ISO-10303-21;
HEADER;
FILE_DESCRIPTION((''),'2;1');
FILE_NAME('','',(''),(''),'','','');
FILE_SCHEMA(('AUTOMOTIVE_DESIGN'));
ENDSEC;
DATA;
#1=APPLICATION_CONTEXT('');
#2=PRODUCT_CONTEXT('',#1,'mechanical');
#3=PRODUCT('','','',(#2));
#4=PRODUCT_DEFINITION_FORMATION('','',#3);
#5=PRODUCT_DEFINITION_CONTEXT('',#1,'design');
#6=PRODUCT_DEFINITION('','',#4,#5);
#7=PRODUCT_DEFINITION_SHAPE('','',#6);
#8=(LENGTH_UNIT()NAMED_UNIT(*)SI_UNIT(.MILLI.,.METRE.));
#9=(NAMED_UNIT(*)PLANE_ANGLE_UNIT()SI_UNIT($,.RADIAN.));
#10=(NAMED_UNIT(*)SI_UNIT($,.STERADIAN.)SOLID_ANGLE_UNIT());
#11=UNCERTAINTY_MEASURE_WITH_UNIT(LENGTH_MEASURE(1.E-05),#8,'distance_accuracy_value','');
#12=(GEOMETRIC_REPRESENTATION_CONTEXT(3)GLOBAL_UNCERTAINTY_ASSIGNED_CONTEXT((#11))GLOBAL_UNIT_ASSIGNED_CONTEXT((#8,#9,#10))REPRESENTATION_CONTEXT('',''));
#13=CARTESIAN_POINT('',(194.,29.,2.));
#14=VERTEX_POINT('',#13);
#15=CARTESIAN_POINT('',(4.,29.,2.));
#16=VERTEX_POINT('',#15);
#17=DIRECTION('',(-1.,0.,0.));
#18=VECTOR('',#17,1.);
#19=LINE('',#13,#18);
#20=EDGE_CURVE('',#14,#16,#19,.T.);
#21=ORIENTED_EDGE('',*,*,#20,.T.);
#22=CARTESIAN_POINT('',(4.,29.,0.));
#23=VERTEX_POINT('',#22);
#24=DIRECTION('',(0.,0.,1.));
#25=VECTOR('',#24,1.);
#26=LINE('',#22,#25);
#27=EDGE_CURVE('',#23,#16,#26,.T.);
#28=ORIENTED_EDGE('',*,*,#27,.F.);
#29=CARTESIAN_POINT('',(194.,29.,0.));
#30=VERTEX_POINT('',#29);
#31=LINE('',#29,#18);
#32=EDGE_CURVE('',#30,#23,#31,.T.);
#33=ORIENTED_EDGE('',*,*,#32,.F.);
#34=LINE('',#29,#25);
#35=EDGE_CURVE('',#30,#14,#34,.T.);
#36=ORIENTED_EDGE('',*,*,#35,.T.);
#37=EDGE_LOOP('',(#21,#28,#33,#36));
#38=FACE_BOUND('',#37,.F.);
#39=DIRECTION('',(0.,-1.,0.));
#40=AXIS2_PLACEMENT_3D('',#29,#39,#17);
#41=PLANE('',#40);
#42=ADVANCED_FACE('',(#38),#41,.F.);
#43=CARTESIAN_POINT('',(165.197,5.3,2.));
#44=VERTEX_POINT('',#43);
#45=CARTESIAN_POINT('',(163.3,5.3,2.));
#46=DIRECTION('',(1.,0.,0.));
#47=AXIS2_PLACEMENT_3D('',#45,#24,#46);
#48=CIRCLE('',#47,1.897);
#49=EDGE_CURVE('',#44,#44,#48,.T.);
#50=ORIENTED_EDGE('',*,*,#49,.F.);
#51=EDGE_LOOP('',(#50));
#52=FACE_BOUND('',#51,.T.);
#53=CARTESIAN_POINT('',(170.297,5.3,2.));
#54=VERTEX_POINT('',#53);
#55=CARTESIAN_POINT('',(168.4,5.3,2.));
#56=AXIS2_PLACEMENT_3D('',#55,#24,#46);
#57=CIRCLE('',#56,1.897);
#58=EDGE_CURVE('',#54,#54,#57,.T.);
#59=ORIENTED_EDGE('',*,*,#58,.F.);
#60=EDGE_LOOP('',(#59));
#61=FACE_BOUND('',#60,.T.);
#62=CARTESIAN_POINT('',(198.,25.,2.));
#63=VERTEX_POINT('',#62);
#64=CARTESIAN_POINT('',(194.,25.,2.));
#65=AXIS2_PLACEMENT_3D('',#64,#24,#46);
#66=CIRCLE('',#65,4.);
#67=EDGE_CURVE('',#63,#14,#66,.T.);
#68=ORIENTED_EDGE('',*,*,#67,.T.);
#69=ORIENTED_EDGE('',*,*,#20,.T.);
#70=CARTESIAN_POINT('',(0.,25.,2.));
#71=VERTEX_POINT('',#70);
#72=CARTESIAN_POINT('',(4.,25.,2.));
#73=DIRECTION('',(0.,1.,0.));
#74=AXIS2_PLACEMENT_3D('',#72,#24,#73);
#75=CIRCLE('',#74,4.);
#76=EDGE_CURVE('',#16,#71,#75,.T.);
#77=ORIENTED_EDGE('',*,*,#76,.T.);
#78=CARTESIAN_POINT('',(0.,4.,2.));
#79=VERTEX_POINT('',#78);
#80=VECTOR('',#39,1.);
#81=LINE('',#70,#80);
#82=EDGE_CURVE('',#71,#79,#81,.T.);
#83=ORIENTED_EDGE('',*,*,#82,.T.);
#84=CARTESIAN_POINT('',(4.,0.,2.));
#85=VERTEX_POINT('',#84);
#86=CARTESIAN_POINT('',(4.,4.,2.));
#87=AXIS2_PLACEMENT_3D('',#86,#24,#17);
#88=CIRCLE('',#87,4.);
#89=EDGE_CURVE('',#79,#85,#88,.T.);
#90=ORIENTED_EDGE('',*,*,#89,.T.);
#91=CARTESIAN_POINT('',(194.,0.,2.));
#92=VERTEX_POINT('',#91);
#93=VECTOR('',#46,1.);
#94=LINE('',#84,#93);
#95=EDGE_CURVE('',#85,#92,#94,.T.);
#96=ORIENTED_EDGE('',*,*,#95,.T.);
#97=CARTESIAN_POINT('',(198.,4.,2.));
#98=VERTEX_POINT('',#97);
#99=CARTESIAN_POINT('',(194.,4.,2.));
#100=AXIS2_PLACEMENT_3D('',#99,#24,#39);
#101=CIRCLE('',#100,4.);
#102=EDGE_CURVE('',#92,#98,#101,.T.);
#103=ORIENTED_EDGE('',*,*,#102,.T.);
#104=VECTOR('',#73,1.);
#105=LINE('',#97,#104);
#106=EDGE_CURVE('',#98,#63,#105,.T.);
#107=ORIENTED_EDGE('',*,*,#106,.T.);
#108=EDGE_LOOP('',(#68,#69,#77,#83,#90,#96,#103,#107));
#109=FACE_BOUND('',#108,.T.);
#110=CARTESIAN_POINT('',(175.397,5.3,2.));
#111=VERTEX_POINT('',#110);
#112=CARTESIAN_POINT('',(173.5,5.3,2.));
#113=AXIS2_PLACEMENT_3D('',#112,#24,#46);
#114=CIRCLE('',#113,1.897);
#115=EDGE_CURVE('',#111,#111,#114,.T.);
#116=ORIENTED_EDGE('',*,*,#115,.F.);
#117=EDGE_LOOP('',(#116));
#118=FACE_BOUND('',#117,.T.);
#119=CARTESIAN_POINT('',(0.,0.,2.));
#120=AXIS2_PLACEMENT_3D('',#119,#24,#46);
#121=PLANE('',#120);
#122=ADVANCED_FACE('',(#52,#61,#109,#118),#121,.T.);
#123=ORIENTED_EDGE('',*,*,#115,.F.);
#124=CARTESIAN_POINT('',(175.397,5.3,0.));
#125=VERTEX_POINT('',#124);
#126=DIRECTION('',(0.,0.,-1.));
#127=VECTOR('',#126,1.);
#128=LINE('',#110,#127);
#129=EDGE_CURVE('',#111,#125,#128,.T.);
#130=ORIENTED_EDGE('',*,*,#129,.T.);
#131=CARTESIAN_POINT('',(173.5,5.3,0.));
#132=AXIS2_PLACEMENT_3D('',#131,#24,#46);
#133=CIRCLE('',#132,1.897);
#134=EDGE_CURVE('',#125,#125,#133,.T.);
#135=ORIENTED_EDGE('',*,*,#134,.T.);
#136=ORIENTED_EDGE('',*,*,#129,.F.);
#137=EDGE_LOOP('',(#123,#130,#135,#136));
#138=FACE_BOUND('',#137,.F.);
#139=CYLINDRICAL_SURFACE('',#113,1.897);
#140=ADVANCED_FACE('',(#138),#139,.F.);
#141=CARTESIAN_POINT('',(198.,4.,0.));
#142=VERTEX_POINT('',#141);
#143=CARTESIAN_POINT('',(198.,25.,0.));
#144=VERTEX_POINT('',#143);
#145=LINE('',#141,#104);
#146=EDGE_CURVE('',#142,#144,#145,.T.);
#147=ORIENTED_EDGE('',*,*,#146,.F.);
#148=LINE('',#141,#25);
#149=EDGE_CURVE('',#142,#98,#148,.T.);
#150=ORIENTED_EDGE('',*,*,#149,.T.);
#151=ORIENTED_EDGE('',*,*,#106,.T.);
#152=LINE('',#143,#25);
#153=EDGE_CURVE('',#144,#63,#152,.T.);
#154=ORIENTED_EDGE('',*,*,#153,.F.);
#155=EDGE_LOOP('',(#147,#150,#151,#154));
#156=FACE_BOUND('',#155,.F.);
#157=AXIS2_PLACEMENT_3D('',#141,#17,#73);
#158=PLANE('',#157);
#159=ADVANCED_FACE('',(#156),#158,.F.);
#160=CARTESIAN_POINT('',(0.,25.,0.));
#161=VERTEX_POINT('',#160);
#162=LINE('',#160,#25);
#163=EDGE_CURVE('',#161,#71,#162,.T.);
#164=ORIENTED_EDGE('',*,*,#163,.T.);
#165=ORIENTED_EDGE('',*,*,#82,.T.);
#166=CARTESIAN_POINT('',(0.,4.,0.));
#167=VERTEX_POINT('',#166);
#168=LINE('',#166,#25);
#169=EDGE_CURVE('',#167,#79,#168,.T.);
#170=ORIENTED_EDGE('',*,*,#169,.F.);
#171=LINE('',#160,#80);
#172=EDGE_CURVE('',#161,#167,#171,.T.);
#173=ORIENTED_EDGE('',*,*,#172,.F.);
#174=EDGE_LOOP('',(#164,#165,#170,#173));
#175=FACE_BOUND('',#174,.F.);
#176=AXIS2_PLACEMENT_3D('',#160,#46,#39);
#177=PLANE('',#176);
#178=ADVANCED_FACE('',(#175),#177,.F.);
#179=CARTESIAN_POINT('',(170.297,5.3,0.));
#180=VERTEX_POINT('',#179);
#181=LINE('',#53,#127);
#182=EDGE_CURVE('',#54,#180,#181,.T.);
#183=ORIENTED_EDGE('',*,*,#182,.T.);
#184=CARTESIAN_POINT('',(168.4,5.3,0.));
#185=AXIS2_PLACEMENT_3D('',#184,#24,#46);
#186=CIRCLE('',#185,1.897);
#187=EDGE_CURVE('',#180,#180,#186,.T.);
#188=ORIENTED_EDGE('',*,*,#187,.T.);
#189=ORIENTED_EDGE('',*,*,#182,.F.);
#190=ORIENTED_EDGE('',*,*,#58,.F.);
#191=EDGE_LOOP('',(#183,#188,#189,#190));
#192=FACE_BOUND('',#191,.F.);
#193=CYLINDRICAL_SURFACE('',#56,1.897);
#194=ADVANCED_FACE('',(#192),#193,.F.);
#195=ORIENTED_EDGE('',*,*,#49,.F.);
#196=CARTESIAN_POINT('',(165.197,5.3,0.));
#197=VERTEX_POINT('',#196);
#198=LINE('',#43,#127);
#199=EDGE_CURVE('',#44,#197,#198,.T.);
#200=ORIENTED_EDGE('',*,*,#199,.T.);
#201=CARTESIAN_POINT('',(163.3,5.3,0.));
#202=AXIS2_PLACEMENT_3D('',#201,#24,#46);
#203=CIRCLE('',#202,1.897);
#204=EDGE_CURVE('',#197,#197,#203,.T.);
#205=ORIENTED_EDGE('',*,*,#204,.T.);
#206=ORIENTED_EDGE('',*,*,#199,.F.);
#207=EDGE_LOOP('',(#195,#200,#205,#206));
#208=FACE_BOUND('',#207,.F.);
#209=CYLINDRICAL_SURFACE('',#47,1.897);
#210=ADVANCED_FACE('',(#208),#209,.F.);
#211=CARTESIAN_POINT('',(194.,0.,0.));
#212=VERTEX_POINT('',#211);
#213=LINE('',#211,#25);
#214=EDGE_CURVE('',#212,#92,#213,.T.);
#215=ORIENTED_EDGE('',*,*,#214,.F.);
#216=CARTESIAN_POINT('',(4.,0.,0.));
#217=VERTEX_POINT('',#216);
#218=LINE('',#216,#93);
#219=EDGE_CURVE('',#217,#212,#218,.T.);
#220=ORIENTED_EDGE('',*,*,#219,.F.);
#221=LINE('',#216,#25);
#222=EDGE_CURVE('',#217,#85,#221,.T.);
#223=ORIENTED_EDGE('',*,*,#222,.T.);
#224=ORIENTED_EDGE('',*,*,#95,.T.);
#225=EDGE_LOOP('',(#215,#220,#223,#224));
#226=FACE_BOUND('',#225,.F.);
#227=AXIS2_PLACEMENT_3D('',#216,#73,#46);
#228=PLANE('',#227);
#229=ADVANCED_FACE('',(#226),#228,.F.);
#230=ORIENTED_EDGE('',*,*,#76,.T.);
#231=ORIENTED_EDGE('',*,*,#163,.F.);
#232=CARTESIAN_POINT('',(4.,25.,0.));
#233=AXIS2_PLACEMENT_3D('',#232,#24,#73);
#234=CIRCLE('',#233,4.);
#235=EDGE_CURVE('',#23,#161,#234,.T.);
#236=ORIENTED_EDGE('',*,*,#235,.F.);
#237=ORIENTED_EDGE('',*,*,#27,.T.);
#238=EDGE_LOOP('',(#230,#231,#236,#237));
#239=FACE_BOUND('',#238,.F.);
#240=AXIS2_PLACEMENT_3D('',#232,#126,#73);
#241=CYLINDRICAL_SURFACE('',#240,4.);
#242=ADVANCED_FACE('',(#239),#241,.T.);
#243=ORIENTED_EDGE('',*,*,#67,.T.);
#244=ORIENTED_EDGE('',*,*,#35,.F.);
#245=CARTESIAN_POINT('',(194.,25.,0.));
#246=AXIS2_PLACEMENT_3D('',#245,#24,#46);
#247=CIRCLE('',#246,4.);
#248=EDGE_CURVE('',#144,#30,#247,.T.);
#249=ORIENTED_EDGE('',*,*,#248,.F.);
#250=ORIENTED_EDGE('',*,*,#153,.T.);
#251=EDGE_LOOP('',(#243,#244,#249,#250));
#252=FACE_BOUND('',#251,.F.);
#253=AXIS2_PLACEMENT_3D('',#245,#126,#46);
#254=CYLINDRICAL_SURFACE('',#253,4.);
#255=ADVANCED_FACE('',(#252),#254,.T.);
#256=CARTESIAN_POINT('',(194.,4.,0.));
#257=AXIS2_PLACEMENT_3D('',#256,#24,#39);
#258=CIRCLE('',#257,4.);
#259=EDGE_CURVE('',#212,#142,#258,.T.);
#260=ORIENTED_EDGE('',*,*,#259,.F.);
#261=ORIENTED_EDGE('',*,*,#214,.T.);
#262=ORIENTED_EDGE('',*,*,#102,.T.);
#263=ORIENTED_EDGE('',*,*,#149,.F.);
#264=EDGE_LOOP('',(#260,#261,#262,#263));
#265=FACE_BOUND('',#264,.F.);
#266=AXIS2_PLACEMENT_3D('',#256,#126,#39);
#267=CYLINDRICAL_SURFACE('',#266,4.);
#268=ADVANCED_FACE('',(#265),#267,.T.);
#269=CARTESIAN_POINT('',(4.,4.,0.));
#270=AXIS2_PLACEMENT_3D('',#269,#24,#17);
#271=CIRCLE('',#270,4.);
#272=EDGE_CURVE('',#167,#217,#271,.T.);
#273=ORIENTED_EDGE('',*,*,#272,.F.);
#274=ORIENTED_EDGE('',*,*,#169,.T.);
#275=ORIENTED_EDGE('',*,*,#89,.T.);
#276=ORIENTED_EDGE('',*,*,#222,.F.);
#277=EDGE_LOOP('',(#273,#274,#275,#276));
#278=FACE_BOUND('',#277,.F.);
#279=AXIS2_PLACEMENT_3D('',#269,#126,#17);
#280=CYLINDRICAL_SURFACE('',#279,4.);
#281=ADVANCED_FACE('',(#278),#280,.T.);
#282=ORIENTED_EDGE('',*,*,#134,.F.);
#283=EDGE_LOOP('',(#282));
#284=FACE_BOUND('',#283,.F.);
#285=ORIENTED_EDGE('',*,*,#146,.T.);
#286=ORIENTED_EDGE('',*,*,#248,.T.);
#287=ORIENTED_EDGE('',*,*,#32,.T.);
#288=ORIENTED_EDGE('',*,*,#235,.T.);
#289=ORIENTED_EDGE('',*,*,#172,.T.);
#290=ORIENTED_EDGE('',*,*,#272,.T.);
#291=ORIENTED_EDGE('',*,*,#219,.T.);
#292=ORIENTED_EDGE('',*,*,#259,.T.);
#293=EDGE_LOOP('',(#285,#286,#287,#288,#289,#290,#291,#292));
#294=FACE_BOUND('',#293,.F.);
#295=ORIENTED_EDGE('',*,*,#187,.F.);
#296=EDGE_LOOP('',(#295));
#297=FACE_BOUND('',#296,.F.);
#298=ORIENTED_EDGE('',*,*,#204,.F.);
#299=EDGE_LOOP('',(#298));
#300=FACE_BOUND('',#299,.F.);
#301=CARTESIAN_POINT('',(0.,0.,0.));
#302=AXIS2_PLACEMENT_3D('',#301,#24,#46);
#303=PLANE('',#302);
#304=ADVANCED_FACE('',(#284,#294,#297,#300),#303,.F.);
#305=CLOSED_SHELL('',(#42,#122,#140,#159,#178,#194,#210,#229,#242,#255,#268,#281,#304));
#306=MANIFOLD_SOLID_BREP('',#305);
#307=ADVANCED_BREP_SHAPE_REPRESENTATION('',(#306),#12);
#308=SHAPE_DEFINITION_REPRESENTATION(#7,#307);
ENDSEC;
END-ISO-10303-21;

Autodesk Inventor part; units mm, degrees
ref_plane "YZ Plane" through (0, 0, 0) normal (1, 0, 0) x (0, 1, 0)
ref_plane "XZ Plane" through (0, 0, 0) normal (0, 1, 0) x (-1, 0, 0)
ref_plane "XY Plane" through (0, 0, 0) normal (0, 0, 1) x (1, 0, 0)
sketch "Sketch1" plane through (0, 0, 0) normal (0, 0, 1) x (1, 0, 0)
  line L0 (4, 0) -> (194, 0)
  line L1 (198, 4) -> (198, 25)
  line L2 (194, 29) -> (4, 29)
  line L3 (0, 25) -> (0, 4)
  arc A0 (0, 4) -> (4, 0) centre (4, 4) ccw
  arc A1 (194, 0) -> (198, 4) centre (194, 4) ccw
  arc A2 (198, 25) -> (194, 29) centre (194, 25) ccw
  arc A3 (4, 29) -> (0, 25) centre (4, 25) ccw
  point P0 (0, 0)
  point P1 (198, 29)
  point P2 (198, 0)
  point P3 (0, 29)
  dimension "d2" = 4
  dimension "d3" = 198
  dimension "d4" = 29
extrude "Extrusion1" add sketch "Sketch1" along normal blind 2
sketch "Sketch2" plane through (0, 0, 2) normal (0, 0, 1) x (1, 0, 0)
  circle A0 centre (163.3, 5.3) radius 1.897
  line L0 (3.231, -4.8492) -> (37.2409, -4.8492)
  circle A1 centre (168.4, 5.3) radius 1.897
  circle A2 centre (173.5, 5.3) radius 1.897
  line L1 (4, 0) -> (194, 0) projected
  line L2 (0, 25) -> (0, 4) projected
  line L3 (198, 4) -> (198, 25) projected
  point P0 (0, 0)
  dimension "d7" = 5.1
  dimension "distanceFromTop" = 5.3
  dimension "d14" = 3.794
  dimension "distanceFromSide" = 24.5
extrude "Extrusion2" cut sketch "Sketch2" against normal through all
equation "\"d2\" = filletMid"
equation "\"d3\" = caseBottomWidth - thickness"
equation "\"d4\" = -thickness + 2 * caseBottomHeight - lipHeight"
equation "\"d0\" = thickness"
equation "\"d15\" = thickness"
equation "\"filletMid\" = 4"
equation "\"caseBottomWidth\" = 200"
equation "\"thickness\" = 2"
equation "\"caseBottomHeight\" = 16"
equation "\"lipHeight\" = 1"
properties part number "case-front"
